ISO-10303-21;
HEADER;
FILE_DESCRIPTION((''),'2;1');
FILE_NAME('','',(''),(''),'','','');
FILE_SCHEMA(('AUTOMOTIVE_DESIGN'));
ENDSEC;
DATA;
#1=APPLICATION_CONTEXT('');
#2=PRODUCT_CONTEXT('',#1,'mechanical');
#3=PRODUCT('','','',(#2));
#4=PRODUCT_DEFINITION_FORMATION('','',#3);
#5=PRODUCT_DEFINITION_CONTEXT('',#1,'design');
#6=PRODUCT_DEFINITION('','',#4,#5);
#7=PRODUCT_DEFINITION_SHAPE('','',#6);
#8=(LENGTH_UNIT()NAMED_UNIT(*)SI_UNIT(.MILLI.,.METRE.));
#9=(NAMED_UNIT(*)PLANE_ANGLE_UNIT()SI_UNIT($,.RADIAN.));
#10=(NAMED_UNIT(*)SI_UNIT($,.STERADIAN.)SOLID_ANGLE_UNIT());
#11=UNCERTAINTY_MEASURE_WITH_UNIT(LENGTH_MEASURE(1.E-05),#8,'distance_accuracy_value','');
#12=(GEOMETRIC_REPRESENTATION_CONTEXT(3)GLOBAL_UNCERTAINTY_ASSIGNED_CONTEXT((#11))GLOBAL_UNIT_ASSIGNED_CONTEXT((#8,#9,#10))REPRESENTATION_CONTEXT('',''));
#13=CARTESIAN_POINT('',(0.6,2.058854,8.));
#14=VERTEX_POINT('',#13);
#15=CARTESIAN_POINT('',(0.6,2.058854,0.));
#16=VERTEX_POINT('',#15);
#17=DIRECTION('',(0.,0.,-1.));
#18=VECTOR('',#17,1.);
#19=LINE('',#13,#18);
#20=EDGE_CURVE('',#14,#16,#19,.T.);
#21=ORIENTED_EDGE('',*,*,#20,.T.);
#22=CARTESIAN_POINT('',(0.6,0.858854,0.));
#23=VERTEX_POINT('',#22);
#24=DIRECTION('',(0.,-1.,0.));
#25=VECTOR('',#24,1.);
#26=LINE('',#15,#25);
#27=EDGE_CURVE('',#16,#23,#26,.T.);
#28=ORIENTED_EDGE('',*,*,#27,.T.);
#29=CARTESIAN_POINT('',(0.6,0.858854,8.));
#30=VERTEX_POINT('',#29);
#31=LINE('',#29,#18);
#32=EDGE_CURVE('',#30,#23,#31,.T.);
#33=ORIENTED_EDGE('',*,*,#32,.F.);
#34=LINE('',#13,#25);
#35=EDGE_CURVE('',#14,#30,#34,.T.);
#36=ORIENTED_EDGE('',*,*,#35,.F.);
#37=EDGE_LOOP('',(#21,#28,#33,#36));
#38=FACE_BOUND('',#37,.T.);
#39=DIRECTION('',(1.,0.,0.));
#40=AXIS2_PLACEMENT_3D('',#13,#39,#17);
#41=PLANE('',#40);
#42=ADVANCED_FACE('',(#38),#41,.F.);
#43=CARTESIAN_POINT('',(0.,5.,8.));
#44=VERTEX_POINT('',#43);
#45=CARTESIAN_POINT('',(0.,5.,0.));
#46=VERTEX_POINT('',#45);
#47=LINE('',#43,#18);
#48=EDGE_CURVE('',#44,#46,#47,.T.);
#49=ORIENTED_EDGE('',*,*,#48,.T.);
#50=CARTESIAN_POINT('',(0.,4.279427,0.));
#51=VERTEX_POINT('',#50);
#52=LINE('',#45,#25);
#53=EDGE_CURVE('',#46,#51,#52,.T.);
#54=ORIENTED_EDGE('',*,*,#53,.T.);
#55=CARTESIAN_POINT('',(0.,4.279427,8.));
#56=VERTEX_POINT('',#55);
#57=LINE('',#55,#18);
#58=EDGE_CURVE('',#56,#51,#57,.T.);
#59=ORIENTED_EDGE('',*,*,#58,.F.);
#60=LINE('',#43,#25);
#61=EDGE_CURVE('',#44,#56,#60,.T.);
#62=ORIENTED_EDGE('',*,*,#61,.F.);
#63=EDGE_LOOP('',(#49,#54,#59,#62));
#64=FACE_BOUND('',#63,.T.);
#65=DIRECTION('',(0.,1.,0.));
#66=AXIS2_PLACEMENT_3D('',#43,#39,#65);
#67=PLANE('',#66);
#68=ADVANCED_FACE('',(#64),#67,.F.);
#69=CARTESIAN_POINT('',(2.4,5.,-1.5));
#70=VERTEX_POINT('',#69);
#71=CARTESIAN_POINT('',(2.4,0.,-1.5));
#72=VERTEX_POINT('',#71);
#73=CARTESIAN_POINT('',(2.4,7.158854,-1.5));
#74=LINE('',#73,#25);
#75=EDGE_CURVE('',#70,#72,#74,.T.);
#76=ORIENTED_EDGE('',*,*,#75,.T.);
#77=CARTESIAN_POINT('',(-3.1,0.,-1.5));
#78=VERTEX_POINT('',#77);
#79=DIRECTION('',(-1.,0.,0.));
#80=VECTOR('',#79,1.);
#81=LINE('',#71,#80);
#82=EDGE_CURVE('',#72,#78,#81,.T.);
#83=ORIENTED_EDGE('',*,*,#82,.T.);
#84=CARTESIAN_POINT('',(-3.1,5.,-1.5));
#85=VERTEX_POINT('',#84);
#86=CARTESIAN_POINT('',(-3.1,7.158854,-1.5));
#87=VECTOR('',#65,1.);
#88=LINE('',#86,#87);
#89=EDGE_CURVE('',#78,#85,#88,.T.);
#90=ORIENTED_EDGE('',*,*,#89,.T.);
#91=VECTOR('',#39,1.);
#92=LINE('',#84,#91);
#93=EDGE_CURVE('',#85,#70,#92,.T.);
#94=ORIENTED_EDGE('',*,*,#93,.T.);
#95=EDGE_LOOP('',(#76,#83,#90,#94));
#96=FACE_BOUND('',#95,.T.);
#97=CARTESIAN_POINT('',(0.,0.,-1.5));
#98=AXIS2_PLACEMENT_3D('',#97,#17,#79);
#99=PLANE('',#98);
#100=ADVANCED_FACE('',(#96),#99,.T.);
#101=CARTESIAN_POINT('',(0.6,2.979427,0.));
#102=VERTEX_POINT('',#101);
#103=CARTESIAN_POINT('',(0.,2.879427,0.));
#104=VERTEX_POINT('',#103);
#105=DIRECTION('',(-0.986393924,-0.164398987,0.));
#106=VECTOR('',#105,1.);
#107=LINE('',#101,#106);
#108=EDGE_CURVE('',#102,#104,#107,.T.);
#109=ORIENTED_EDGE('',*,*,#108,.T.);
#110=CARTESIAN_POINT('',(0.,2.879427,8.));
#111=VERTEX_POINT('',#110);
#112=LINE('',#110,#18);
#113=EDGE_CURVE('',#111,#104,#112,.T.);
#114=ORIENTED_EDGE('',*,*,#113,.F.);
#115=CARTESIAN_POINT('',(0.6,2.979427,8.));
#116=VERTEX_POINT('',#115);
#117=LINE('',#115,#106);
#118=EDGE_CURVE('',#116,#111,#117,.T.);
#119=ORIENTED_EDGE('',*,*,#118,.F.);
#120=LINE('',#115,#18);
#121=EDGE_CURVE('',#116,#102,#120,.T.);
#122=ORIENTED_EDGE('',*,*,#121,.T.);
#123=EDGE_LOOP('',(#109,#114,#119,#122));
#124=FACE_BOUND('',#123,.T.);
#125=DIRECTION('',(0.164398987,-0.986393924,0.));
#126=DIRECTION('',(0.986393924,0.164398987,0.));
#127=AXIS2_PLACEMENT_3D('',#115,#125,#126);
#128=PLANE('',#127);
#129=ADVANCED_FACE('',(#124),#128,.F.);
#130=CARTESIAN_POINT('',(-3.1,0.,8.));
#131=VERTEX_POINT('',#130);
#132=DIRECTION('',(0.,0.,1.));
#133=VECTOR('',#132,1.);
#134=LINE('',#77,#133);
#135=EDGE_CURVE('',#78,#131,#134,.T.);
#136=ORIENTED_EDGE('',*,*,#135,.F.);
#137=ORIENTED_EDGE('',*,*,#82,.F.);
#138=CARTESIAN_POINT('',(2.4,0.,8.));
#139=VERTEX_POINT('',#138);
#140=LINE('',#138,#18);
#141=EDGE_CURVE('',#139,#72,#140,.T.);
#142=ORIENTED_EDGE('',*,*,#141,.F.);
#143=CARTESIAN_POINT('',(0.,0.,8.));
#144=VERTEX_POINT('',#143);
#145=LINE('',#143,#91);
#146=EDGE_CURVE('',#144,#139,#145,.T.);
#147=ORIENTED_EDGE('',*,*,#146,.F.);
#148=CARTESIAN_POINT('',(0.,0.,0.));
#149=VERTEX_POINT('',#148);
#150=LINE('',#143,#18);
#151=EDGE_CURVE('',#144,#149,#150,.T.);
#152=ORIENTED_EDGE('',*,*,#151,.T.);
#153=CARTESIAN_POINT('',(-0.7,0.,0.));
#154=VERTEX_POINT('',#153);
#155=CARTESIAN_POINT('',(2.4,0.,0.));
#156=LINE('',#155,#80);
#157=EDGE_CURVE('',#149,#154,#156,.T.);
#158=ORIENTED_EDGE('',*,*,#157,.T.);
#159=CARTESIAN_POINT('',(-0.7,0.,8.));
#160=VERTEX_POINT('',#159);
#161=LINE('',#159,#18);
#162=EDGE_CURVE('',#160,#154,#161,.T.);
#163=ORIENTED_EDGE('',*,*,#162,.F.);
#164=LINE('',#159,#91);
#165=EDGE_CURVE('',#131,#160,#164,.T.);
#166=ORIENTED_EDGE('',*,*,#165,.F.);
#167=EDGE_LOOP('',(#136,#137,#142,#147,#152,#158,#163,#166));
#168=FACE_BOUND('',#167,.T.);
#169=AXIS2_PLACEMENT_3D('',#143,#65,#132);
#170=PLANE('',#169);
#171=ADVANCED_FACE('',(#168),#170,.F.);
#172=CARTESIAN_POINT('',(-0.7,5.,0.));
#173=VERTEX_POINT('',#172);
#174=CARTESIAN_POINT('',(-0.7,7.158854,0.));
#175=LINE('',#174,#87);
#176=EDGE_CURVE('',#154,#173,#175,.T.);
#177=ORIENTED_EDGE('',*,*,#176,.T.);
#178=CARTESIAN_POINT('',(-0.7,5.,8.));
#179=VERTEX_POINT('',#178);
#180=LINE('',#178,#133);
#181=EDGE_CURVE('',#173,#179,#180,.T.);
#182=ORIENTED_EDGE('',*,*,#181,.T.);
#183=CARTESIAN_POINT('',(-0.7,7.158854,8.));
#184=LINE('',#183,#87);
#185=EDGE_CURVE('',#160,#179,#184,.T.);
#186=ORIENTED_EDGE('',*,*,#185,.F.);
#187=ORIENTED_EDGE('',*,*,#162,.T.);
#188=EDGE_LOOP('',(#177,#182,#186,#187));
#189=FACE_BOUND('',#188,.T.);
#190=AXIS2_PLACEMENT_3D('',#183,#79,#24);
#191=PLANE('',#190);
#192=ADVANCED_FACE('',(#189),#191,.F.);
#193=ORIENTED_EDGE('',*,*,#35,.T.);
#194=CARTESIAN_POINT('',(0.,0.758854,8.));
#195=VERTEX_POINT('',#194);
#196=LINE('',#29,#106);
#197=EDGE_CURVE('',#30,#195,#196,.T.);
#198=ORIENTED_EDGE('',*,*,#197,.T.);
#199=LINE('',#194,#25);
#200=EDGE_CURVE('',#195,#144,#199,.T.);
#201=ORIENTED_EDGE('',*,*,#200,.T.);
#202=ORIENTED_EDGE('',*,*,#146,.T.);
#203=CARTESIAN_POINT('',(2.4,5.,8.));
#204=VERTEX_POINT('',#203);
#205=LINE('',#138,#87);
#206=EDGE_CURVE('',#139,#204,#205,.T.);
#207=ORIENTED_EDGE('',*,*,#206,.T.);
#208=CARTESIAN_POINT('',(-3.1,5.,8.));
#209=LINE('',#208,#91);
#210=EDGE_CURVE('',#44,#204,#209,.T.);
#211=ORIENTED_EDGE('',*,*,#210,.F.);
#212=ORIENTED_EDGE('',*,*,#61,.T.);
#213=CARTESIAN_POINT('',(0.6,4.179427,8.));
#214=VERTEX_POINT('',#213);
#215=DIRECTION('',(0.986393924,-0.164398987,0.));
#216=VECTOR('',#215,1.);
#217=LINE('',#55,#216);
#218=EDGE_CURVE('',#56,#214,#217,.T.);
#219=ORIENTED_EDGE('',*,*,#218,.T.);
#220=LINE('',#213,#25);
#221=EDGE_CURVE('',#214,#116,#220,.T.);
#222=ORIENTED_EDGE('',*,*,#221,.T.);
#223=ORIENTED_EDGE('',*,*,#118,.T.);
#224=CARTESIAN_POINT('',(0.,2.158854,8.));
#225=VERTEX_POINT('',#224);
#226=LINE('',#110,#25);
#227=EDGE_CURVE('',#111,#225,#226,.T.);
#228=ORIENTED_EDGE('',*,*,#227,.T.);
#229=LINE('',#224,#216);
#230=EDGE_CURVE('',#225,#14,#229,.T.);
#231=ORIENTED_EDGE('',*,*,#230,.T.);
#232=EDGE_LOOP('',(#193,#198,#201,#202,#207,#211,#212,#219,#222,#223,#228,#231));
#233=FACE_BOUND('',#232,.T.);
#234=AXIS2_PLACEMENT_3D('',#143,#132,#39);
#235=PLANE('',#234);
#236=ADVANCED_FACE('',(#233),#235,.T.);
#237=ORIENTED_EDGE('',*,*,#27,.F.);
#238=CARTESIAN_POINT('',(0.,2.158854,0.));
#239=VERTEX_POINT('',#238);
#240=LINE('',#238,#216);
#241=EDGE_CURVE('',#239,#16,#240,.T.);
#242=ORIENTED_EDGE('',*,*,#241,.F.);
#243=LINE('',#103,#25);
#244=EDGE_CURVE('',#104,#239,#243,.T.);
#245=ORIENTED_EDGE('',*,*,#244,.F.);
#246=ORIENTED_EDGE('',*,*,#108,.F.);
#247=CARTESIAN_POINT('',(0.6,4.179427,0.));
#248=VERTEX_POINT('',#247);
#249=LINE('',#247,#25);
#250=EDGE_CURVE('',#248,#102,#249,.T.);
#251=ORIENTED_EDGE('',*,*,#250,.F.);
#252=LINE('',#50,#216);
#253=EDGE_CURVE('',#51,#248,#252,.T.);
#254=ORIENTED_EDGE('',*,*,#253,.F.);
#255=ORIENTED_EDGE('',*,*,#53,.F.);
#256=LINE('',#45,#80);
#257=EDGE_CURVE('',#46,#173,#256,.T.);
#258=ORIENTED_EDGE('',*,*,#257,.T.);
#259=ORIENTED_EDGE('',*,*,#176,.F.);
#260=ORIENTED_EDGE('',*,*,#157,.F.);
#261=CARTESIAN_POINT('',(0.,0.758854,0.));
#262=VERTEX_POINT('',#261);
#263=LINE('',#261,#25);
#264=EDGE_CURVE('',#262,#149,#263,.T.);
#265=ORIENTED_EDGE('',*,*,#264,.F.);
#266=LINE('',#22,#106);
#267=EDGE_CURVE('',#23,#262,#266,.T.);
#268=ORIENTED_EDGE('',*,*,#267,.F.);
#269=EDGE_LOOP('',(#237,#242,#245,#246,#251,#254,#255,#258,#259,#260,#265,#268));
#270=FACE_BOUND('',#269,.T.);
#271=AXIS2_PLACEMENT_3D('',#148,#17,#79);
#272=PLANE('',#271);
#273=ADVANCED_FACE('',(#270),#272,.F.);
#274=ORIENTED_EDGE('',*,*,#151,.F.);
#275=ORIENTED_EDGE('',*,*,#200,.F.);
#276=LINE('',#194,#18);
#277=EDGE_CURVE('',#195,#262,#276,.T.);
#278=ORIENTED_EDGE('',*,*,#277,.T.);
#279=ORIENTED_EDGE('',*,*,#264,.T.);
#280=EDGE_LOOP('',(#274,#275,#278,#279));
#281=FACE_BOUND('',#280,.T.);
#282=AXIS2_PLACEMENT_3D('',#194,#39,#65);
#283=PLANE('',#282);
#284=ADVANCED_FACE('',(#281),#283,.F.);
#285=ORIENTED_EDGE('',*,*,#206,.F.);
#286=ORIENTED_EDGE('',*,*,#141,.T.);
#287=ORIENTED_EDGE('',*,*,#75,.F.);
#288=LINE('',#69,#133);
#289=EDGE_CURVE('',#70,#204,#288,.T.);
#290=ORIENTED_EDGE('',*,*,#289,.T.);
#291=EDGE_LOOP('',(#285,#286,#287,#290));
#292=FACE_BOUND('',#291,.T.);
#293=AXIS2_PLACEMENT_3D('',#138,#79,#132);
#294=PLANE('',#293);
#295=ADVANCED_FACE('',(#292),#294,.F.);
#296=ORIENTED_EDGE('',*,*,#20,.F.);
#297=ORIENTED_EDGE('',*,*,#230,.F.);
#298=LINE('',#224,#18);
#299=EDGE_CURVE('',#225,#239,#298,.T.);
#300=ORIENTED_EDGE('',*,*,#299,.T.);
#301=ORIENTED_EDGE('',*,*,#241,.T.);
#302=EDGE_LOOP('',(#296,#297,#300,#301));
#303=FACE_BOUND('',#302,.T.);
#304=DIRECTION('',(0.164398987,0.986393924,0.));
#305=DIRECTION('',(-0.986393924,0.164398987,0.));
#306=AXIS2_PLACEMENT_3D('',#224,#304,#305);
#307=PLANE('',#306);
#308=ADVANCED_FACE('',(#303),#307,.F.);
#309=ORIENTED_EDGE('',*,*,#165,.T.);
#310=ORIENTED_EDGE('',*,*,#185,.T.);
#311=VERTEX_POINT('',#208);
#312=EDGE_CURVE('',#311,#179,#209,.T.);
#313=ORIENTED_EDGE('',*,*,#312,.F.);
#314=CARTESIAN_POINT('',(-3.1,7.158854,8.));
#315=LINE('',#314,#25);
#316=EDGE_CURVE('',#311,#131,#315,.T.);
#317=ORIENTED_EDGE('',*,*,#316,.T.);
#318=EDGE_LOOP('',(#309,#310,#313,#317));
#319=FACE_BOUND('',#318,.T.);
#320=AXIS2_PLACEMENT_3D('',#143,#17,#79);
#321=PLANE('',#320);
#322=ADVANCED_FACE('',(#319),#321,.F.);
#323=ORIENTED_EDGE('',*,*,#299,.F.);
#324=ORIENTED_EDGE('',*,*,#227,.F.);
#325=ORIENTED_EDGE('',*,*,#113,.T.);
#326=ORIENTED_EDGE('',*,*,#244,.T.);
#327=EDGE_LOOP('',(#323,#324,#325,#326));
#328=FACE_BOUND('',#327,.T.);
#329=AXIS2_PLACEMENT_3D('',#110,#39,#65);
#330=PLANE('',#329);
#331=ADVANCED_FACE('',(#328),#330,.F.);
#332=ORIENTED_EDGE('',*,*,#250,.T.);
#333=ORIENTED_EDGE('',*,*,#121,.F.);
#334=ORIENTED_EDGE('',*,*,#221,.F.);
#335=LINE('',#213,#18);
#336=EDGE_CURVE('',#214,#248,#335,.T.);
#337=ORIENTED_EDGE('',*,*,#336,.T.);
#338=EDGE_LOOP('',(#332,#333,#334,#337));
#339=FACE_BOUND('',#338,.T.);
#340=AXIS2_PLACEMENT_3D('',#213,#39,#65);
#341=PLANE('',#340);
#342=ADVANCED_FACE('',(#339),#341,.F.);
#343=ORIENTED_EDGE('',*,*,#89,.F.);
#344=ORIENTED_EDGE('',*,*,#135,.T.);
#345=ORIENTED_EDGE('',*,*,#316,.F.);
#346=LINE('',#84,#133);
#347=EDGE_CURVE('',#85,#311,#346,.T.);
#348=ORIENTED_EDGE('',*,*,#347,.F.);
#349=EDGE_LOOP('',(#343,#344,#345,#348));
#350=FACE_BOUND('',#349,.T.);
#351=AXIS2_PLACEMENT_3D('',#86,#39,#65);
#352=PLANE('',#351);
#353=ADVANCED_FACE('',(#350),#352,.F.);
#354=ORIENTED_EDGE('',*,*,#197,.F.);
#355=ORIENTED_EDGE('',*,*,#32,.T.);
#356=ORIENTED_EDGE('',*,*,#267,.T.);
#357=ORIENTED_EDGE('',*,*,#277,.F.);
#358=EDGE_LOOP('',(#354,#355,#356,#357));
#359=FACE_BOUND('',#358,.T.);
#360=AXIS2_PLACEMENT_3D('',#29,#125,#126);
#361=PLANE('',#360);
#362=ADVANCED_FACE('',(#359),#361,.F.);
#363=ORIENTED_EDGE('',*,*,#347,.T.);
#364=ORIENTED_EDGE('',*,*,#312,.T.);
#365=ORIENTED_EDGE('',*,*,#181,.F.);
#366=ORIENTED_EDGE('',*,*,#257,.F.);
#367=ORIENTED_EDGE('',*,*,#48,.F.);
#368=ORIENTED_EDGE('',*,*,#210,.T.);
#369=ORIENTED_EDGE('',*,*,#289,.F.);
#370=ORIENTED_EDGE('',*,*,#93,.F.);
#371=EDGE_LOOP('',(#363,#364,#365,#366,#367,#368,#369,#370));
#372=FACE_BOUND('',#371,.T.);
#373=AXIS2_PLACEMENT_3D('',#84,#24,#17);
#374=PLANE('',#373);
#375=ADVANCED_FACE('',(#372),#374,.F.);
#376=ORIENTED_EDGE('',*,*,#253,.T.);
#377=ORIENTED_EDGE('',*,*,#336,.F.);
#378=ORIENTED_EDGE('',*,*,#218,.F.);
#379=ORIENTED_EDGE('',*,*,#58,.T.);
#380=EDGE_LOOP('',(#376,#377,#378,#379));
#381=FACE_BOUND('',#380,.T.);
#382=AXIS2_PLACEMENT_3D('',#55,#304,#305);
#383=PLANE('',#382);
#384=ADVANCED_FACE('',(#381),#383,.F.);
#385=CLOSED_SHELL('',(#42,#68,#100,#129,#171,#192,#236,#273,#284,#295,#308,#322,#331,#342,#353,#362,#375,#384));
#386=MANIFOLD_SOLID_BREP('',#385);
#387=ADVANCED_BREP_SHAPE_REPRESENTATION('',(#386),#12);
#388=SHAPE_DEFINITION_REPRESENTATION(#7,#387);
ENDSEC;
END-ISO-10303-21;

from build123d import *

# Parameters (mm, degrees)
SALIENTE_EXTRUIR1_DEPTH   = 8
CROQUIS1_W                = 2.4
CROQUIS1_H                = 7.15885354
SALIENTE_EXTRUIR1_2_DEPTH = 8
CROQUIS2_W                = 5.5
CROQUIS2_H                = 7.15885354
SALIENTE_EXTRUIR2_DEPTH   = 1.5
CROQUIS3_W                = 5.5
CROQUIS3_H                = 2.15885354
CORTAR_EXTRUIR1_DEPTH     = 10.5


with BuildPart() as part:
    # Croquis1 → Saliente-Extruir1 (new body)
    with BuildSketch(Plane.XY):
        Polygon((0, 7.15885354), (0, 6.4), (0.6, 6.3), (0.6, 5.1), (0, 5), (0, 4.279426768), (0.6, 4.179426768), (0.6, 2.979426768), (0, 2.879426768), (0, 2.158853536), (0.6, 2.058853536), (0.6, 0.858853536), (0, 0.758853536), (0, 0), (2.4, 0), (2.4, 7.15885354), align=None)
    extrude(amount=SALIENTE_EXTRUIR1_DEPTH)



with BuildPart() as body_2:
    # Croquis1 → Saliente-Extruir1 2 (new body)
    with BuildSketch(Plane.XY):
        with Locations((-1.9, 3.57942677)):
            Rectangle(CROQUIS1_W, CROQUIS1_H)
    extrude(amount=SALIENTE_EXTRUIR1_2_DEPTH)


with BuildPart() as part_1:
    add(part.part)

    add(body_2.part)  # Saliente-Extruir2 merges body 2
    # Croquis2 → Saliente-Extruir2 (add)
    with BuildSketch(Plane(origin=(0, 0, 0), x_dir=(-1, 0, 0), z_dir=(0, 0, -1))):
        with Locations((0.35, 3.57942677)):
            Rectangle(CROQUIS2_W, CROQUIS2_H)
    extrude(amount=SALIENTE_EXTRUIR2_DEPTH)

    # Croquis3 → Cortar-Extruir1 (cut, through all)
    with BuildSketch(Plane.XY.offset(8)):
        with Locations((-0.35, 6.07942677)):
            Rectangle(CROQUIS3_W, CROQUIS3_H)
    extrude(amount=-CORTAR_EXTRUIR1_DEPTH, mode=Mode.SUBTRACT)


solid = part_1.part
